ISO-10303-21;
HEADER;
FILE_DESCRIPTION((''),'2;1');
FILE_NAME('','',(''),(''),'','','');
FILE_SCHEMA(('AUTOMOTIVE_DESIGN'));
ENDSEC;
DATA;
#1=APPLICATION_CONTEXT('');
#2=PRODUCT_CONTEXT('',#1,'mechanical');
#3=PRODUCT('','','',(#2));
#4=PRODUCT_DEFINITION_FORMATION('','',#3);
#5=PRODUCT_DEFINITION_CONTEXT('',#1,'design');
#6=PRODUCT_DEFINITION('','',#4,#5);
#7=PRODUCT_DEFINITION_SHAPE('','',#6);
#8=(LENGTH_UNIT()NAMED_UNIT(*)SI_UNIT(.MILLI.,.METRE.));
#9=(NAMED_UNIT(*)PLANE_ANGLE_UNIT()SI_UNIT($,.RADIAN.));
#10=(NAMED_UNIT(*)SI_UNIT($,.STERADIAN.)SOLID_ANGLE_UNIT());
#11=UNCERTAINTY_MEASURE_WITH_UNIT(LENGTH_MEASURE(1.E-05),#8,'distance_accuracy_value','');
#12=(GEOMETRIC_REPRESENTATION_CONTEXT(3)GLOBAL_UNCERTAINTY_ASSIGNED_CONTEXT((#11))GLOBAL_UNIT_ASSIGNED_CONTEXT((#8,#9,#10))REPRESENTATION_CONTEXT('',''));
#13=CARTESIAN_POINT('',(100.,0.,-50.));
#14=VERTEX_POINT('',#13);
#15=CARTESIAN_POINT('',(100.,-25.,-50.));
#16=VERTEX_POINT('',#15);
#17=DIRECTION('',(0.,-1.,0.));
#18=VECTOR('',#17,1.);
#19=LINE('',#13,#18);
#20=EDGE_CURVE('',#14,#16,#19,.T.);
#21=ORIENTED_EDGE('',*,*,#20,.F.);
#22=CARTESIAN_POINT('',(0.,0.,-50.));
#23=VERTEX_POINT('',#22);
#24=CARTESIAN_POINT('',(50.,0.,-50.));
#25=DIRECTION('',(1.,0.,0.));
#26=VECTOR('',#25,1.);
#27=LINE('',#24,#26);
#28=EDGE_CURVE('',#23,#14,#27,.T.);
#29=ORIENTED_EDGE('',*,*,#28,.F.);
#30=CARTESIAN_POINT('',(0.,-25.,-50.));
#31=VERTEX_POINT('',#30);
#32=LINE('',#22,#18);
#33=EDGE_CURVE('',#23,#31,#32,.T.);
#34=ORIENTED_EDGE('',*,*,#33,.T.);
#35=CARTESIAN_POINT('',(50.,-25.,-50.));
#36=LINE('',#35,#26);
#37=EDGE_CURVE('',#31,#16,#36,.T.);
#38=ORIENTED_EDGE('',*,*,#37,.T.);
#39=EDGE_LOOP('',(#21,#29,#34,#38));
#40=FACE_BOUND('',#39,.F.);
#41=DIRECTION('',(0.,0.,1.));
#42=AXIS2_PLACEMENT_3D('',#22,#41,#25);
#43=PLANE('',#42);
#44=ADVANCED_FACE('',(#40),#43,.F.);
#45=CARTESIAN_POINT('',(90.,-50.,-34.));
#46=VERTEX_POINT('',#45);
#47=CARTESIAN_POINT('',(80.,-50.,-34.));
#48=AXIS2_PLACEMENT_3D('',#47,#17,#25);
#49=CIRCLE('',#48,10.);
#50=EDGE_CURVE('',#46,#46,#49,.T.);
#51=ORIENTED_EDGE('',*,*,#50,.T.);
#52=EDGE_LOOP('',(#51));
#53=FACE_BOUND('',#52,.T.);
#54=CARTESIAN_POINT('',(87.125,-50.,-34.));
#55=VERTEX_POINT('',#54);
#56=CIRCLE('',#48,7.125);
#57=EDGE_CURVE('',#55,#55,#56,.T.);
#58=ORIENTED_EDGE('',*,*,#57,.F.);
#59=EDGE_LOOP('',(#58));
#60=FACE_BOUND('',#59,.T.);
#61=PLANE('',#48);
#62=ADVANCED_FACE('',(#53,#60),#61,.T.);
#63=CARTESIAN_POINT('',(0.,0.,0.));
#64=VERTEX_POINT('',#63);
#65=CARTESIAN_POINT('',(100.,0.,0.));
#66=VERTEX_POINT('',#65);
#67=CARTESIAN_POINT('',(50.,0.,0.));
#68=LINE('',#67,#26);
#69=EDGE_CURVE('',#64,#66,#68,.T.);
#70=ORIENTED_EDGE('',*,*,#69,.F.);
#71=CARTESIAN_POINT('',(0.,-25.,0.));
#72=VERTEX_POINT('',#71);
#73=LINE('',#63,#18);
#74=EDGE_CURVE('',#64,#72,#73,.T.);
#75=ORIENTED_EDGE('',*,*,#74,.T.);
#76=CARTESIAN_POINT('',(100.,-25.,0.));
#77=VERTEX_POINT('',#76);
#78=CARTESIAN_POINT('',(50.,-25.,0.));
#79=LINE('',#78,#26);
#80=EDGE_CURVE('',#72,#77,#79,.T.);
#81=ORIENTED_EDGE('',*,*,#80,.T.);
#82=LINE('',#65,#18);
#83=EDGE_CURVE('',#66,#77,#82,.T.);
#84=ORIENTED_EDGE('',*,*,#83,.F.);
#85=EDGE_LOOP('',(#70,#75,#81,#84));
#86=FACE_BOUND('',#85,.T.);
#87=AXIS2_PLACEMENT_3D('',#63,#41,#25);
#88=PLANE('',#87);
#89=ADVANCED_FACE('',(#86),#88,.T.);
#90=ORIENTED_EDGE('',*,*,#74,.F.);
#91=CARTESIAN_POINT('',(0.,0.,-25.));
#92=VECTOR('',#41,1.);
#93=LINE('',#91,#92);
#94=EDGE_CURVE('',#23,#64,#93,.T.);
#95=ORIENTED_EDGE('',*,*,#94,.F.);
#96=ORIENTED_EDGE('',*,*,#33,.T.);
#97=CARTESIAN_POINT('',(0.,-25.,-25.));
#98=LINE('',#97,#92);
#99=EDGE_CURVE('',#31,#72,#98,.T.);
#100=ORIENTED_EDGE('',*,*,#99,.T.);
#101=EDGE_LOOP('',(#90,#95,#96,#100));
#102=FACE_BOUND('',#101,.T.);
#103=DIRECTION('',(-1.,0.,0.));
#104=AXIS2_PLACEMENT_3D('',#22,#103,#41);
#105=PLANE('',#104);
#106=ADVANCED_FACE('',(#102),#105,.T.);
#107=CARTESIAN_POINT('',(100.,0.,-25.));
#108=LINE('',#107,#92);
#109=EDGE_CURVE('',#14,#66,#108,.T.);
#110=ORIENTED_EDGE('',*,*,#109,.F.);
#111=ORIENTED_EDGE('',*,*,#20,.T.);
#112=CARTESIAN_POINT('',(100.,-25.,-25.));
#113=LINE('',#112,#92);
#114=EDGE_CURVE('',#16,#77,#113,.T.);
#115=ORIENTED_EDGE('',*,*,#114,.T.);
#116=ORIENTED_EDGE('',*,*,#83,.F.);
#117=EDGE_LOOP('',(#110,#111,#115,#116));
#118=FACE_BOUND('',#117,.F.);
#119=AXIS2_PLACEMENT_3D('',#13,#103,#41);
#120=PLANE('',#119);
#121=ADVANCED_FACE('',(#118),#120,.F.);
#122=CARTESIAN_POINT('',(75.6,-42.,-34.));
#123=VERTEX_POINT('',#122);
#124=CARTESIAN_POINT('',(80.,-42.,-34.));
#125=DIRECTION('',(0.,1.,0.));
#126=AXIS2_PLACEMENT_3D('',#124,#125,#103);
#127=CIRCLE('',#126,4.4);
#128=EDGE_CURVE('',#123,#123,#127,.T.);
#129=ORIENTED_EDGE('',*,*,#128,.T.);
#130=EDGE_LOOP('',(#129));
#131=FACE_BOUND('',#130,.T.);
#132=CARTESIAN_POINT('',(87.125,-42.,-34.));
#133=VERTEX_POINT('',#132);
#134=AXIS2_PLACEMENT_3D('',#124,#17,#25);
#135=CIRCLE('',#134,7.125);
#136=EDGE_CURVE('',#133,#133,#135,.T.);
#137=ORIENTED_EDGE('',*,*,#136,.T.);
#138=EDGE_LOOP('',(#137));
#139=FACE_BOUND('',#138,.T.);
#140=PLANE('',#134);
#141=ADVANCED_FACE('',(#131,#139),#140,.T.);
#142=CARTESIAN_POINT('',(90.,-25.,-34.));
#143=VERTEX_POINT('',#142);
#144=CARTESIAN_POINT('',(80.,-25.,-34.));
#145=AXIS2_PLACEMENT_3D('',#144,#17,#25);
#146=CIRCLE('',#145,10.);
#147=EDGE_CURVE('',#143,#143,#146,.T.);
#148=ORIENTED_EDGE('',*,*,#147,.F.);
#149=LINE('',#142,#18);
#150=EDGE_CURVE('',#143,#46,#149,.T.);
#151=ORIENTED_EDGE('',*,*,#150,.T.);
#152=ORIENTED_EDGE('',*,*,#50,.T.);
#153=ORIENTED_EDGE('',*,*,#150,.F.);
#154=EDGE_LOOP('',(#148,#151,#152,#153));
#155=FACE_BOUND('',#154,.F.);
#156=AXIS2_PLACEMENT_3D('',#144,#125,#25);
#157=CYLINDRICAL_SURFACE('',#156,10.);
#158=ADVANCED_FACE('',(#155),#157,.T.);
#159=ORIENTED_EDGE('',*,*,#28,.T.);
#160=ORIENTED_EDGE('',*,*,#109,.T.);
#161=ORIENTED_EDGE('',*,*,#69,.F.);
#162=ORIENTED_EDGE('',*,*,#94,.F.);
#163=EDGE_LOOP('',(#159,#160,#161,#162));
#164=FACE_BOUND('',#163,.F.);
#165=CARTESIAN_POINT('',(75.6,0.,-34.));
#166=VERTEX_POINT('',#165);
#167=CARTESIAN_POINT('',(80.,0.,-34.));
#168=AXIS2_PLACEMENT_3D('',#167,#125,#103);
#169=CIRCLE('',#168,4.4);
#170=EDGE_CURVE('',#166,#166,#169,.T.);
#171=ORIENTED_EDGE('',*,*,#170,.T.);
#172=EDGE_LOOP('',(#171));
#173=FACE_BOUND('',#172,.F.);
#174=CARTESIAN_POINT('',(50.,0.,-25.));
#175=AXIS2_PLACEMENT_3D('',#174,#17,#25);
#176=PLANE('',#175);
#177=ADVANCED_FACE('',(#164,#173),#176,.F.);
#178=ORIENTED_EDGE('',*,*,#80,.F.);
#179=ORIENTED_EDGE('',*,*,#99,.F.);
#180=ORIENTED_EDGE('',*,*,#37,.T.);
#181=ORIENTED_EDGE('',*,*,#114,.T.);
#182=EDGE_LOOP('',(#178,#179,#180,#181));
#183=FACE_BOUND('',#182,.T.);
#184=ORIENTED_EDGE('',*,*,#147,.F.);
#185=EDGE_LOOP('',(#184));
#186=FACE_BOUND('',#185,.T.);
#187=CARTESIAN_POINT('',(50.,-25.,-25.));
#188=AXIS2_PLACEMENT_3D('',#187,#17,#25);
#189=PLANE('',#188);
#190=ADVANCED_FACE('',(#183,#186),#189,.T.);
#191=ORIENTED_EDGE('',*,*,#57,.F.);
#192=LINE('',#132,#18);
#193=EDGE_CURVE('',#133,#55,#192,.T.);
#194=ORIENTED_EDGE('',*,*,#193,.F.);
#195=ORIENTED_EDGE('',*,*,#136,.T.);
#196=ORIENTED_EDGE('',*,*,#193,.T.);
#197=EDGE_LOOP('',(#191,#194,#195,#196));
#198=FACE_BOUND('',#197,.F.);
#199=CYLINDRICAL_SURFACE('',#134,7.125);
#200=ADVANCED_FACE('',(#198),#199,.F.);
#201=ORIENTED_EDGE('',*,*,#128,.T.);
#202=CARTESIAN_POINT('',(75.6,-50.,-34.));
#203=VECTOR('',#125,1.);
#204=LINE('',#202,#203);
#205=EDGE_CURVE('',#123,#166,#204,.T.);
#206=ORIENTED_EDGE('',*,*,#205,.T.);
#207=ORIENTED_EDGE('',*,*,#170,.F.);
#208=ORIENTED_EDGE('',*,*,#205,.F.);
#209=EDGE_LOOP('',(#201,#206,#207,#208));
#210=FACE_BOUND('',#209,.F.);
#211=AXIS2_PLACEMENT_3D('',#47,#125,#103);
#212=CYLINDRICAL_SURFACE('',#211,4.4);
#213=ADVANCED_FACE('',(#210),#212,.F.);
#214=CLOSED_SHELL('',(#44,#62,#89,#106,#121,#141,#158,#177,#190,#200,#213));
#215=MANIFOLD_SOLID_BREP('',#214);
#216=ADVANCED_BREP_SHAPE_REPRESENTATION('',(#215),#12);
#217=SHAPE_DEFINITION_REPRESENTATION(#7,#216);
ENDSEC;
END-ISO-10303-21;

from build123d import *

# Parameters (mm, degrees)
F0_W           = 100
F0_H           = 50
F1_DEPTH       = 25
F2_R           = 10
F3_DEPTH       = 25
F5_D           = 8.8
F5_CBORE_D     = 14.25
F5_CBORE_DEPTH = 8


with BuildPart() as f1:
    # F0 (on Front) → F1 (new body)
    with BuildSketch(Plane.XZ):
        with Locations((50, -25)):
            Rectangle(F0_W, F0_H)
    extrude(amount=F1_DEPTH)

    # F2 (on face) → F3 (join)
    with BuildSketch(Plane.XZ.offset(25)):
        with Locations((80, -34)):
            Circle(F2_R)
    extrude(amount=F3_DEPTH)

    # F5 (through all)
    with Locations(Plane.XZ.offset(50)):
        with Locations((80, -34)):
            CounterBoreHole(F5_D / 2, F5_CBORE_D / 2, F5_CBORE_DEPTH)


solid = f1.part
